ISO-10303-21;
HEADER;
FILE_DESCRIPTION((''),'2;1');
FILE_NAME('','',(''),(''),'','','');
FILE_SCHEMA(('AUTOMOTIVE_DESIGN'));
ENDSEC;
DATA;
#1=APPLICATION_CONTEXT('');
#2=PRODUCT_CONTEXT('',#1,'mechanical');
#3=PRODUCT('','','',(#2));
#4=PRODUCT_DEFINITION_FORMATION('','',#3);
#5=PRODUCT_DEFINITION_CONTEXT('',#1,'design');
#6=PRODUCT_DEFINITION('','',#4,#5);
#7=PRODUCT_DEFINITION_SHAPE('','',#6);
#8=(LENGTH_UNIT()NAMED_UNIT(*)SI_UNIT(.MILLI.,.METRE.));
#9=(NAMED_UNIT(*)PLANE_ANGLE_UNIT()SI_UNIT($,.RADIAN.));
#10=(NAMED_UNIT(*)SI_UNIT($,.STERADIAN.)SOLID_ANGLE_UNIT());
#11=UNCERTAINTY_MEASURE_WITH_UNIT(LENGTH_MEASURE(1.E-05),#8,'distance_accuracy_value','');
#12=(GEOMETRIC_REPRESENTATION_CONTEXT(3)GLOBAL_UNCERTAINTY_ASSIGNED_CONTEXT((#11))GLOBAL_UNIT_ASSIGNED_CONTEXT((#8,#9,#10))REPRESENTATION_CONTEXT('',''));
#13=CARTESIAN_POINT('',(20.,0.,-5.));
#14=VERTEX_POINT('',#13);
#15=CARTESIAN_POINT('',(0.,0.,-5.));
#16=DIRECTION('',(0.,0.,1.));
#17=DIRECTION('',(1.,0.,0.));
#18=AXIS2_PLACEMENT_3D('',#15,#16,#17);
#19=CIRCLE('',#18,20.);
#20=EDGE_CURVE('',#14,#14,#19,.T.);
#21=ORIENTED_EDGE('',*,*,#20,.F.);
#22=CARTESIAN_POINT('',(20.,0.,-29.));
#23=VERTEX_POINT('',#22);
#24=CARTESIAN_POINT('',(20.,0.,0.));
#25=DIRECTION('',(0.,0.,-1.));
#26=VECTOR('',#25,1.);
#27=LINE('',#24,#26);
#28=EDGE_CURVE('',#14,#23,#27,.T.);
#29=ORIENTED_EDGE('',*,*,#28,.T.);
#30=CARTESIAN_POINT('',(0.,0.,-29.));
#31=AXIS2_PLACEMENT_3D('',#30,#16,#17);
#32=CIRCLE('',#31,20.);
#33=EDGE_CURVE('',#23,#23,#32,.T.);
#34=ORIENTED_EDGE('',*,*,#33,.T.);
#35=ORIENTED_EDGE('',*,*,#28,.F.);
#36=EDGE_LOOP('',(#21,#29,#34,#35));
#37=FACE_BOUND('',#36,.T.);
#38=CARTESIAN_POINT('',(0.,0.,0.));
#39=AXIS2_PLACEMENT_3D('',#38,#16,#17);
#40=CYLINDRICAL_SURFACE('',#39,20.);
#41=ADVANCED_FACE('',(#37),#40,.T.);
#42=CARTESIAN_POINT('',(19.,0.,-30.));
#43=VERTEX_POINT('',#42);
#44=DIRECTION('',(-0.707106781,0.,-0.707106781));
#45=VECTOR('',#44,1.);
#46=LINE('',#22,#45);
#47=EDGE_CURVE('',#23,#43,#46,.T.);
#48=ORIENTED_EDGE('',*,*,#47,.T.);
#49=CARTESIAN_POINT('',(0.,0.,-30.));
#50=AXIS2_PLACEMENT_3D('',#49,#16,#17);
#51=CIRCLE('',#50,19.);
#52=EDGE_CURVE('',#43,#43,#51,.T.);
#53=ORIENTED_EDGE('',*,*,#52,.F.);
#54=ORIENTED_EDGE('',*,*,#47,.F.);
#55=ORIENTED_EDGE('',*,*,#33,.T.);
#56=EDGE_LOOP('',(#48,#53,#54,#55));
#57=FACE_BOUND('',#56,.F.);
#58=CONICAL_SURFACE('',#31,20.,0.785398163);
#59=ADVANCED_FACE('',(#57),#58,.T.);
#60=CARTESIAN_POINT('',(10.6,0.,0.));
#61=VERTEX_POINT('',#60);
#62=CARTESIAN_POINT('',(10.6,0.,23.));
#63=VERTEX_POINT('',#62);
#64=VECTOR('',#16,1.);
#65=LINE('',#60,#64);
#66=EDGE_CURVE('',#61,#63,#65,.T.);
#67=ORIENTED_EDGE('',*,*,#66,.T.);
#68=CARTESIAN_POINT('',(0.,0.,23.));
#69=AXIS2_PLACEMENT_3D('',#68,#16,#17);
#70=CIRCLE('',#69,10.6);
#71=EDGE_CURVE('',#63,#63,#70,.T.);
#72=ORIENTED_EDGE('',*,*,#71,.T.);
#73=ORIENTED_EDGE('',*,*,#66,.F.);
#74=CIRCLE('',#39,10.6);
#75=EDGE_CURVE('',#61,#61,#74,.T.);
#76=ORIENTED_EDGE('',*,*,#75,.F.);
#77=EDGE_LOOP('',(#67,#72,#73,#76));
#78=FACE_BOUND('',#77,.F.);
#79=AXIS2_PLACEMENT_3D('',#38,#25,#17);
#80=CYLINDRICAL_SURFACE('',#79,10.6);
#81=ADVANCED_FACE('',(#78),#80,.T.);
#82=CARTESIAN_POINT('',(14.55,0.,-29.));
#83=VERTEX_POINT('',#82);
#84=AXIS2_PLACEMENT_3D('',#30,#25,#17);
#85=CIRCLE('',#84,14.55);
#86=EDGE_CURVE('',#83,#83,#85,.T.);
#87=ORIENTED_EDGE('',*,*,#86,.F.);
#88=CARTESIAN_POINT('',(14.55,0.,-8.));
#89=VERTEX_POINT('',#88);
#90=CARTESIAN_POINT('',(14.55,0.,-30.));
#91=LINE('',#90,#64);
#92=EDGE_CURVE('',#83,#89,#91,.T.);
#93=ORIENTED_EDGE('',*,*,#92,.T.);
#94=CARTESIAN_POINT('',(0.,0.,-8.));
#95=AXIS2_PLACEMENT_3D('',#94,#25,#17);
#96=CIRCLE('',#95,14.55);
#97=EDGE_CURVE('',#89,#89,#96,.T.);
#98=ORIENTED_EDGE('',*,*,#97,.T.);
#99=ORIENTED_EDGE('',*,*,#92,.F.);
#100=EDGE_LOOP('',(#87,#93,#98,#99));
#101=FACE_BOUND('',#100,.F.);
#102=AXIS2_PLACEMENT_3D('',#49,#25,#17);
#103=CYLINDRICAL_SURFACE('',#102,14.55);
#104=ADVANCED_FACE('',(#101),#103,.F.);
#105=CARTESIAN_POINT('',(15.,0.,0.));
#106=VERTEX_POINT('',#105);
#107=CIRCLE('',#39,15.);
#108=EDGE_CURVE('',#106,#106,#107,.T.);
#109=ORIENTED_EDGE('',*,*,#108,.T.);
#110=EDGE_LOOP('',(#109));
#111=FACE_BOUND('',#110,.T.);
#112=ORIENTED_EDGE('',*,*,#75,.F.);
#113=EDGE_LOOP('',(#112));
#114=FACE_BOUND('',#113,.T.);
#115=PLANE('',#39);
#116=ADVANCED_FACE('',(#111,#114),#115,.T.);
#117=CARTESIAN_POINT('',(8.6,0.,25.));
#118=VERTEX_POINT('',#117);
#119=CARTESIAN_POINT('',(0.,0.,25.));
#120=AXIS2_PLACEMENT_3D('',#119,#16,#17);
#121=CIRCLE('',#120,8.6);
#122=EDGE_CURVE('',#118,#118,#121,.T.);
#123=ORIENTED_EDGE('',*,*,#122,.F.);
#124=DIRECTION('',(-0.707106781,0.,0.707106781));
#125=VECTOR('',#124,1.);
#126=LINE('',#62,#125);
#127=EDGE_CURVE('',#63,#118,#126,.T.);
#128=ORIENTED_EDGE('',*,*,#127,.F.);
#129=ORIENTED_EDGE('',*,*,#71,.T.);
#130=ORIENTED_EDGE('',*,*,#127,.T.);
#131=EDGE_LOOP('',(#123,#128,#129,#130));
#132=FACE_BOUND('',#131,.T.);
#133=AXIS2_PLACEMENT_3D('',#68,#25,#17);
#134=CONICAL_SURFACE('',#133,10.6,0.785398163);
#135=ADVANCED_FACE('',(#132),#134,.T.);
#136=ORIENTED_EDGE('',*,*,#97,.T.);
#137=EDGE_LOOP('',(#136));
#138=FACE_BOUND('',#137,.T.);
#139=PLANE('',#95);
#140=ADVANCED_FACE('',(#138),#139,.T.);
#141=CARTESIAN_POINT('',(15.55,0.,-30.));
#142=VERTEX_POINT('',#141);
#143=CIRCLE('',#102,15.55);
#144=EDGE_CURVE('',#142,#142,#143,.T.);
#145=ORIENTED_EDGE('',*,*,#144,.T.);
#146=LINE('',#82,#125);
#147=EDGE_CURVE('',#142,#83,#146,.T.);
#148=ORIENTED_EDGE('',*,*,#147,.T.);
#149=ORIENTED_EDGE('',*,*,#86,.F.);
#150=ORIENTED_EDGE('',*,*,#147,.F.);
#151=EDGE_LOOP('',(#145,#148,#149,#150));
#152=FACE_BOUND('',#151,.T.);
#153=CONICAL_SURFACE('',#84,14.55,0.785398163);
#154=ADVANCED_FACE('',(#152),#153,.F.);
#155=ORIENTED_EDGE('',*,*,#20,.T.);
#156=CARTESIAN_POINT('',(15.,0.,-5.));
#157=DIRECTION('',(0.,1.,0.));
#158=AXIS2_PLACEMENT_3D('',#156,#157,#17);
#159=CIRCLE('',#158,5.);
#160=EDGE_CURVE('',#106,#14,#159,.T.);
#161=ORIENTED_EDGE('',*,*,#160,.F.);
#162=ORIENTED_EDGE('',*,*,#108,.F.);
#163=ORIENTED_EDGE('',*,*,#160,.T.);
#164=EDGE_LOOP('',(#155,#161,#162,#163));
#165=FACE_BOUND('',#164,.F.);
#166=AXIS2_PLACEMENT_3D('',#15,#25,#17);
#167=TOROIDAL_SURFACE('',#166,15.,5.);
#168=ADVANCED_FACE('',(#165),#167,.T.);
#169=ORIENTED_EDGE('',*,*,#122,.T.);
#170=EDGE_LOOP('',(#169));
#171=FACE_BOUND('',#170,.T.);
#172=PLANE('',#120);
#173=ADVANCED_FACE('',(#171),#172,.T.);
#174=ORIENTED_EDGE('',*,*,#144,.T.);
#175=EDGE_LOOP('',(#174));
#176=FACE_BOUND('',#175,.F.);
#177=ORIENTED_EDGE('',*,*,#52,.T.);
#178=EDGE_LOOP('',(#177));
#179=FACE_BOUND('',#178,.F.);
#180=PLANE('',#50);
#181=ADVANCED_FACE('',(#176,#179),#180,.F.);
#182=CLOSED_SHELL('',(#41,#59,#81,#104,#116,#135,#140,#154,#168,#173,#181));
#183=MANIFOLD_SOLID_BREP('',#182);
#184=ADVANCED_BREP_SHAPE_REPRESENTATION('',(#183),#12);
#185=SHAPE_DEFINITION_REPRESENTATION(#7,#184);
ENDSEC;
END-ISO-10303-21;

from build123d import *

# Parameters (mm, degrees)
F0_R     = 20
F1_DEPTH = 30
F2_R     = 10.6
F3_DEPTH = 25
F5_R     = 14.55
F6_DEPTH = 22
F7_SIZE  = 2
F8_R     = 5
F9_SIZE  = 1


with BuildPart() as f1:
    # F0 (on Top) → F1 (new body)
    with BuildSketch(Plane.XY):
        Circle(F0_R)
    extrude(amount=-F1_DEPTH)

    # F2 (on Top) → F3 (join)
    with BuildSketch(Plane.XY):
        Circle(F2_R)
    extrude(amount=F3_DEPTH)

    # F5 (on offset) → F6 (cut)
    with BuildSketch(Plane(origin=(0, 0, -30), x_dir=(1, 0, 0), z_dir=(0, 0, -1))):
        Circle(F5_R)
    extrude(amount=-F6_DEPTH, mode=Mode.SUBTRACT)

    # F7
    f7_edges = [f1.edges().sort_by_distance(p)[0] for p in [
        (-10.6, 0, 25),
    ]]
    chamfer(f7_edges, length=F7_SIZE)

    # F8
    f8_edges = [f1.edges().sort_by_distance(p)[0] for p in [
        (-20, 0, 0),
    ]]
    fillet(f8_edges, radius=F8_R)

    # F9
    f9_edges = [f1.edges().sort_by_distance(p)[0] for p in [
        (-20, 0, -30),
        (-14.55, 0, -30),
    ]]
    chamfer(f9_edges, length=F9_SIZE)


solid = f1.part
